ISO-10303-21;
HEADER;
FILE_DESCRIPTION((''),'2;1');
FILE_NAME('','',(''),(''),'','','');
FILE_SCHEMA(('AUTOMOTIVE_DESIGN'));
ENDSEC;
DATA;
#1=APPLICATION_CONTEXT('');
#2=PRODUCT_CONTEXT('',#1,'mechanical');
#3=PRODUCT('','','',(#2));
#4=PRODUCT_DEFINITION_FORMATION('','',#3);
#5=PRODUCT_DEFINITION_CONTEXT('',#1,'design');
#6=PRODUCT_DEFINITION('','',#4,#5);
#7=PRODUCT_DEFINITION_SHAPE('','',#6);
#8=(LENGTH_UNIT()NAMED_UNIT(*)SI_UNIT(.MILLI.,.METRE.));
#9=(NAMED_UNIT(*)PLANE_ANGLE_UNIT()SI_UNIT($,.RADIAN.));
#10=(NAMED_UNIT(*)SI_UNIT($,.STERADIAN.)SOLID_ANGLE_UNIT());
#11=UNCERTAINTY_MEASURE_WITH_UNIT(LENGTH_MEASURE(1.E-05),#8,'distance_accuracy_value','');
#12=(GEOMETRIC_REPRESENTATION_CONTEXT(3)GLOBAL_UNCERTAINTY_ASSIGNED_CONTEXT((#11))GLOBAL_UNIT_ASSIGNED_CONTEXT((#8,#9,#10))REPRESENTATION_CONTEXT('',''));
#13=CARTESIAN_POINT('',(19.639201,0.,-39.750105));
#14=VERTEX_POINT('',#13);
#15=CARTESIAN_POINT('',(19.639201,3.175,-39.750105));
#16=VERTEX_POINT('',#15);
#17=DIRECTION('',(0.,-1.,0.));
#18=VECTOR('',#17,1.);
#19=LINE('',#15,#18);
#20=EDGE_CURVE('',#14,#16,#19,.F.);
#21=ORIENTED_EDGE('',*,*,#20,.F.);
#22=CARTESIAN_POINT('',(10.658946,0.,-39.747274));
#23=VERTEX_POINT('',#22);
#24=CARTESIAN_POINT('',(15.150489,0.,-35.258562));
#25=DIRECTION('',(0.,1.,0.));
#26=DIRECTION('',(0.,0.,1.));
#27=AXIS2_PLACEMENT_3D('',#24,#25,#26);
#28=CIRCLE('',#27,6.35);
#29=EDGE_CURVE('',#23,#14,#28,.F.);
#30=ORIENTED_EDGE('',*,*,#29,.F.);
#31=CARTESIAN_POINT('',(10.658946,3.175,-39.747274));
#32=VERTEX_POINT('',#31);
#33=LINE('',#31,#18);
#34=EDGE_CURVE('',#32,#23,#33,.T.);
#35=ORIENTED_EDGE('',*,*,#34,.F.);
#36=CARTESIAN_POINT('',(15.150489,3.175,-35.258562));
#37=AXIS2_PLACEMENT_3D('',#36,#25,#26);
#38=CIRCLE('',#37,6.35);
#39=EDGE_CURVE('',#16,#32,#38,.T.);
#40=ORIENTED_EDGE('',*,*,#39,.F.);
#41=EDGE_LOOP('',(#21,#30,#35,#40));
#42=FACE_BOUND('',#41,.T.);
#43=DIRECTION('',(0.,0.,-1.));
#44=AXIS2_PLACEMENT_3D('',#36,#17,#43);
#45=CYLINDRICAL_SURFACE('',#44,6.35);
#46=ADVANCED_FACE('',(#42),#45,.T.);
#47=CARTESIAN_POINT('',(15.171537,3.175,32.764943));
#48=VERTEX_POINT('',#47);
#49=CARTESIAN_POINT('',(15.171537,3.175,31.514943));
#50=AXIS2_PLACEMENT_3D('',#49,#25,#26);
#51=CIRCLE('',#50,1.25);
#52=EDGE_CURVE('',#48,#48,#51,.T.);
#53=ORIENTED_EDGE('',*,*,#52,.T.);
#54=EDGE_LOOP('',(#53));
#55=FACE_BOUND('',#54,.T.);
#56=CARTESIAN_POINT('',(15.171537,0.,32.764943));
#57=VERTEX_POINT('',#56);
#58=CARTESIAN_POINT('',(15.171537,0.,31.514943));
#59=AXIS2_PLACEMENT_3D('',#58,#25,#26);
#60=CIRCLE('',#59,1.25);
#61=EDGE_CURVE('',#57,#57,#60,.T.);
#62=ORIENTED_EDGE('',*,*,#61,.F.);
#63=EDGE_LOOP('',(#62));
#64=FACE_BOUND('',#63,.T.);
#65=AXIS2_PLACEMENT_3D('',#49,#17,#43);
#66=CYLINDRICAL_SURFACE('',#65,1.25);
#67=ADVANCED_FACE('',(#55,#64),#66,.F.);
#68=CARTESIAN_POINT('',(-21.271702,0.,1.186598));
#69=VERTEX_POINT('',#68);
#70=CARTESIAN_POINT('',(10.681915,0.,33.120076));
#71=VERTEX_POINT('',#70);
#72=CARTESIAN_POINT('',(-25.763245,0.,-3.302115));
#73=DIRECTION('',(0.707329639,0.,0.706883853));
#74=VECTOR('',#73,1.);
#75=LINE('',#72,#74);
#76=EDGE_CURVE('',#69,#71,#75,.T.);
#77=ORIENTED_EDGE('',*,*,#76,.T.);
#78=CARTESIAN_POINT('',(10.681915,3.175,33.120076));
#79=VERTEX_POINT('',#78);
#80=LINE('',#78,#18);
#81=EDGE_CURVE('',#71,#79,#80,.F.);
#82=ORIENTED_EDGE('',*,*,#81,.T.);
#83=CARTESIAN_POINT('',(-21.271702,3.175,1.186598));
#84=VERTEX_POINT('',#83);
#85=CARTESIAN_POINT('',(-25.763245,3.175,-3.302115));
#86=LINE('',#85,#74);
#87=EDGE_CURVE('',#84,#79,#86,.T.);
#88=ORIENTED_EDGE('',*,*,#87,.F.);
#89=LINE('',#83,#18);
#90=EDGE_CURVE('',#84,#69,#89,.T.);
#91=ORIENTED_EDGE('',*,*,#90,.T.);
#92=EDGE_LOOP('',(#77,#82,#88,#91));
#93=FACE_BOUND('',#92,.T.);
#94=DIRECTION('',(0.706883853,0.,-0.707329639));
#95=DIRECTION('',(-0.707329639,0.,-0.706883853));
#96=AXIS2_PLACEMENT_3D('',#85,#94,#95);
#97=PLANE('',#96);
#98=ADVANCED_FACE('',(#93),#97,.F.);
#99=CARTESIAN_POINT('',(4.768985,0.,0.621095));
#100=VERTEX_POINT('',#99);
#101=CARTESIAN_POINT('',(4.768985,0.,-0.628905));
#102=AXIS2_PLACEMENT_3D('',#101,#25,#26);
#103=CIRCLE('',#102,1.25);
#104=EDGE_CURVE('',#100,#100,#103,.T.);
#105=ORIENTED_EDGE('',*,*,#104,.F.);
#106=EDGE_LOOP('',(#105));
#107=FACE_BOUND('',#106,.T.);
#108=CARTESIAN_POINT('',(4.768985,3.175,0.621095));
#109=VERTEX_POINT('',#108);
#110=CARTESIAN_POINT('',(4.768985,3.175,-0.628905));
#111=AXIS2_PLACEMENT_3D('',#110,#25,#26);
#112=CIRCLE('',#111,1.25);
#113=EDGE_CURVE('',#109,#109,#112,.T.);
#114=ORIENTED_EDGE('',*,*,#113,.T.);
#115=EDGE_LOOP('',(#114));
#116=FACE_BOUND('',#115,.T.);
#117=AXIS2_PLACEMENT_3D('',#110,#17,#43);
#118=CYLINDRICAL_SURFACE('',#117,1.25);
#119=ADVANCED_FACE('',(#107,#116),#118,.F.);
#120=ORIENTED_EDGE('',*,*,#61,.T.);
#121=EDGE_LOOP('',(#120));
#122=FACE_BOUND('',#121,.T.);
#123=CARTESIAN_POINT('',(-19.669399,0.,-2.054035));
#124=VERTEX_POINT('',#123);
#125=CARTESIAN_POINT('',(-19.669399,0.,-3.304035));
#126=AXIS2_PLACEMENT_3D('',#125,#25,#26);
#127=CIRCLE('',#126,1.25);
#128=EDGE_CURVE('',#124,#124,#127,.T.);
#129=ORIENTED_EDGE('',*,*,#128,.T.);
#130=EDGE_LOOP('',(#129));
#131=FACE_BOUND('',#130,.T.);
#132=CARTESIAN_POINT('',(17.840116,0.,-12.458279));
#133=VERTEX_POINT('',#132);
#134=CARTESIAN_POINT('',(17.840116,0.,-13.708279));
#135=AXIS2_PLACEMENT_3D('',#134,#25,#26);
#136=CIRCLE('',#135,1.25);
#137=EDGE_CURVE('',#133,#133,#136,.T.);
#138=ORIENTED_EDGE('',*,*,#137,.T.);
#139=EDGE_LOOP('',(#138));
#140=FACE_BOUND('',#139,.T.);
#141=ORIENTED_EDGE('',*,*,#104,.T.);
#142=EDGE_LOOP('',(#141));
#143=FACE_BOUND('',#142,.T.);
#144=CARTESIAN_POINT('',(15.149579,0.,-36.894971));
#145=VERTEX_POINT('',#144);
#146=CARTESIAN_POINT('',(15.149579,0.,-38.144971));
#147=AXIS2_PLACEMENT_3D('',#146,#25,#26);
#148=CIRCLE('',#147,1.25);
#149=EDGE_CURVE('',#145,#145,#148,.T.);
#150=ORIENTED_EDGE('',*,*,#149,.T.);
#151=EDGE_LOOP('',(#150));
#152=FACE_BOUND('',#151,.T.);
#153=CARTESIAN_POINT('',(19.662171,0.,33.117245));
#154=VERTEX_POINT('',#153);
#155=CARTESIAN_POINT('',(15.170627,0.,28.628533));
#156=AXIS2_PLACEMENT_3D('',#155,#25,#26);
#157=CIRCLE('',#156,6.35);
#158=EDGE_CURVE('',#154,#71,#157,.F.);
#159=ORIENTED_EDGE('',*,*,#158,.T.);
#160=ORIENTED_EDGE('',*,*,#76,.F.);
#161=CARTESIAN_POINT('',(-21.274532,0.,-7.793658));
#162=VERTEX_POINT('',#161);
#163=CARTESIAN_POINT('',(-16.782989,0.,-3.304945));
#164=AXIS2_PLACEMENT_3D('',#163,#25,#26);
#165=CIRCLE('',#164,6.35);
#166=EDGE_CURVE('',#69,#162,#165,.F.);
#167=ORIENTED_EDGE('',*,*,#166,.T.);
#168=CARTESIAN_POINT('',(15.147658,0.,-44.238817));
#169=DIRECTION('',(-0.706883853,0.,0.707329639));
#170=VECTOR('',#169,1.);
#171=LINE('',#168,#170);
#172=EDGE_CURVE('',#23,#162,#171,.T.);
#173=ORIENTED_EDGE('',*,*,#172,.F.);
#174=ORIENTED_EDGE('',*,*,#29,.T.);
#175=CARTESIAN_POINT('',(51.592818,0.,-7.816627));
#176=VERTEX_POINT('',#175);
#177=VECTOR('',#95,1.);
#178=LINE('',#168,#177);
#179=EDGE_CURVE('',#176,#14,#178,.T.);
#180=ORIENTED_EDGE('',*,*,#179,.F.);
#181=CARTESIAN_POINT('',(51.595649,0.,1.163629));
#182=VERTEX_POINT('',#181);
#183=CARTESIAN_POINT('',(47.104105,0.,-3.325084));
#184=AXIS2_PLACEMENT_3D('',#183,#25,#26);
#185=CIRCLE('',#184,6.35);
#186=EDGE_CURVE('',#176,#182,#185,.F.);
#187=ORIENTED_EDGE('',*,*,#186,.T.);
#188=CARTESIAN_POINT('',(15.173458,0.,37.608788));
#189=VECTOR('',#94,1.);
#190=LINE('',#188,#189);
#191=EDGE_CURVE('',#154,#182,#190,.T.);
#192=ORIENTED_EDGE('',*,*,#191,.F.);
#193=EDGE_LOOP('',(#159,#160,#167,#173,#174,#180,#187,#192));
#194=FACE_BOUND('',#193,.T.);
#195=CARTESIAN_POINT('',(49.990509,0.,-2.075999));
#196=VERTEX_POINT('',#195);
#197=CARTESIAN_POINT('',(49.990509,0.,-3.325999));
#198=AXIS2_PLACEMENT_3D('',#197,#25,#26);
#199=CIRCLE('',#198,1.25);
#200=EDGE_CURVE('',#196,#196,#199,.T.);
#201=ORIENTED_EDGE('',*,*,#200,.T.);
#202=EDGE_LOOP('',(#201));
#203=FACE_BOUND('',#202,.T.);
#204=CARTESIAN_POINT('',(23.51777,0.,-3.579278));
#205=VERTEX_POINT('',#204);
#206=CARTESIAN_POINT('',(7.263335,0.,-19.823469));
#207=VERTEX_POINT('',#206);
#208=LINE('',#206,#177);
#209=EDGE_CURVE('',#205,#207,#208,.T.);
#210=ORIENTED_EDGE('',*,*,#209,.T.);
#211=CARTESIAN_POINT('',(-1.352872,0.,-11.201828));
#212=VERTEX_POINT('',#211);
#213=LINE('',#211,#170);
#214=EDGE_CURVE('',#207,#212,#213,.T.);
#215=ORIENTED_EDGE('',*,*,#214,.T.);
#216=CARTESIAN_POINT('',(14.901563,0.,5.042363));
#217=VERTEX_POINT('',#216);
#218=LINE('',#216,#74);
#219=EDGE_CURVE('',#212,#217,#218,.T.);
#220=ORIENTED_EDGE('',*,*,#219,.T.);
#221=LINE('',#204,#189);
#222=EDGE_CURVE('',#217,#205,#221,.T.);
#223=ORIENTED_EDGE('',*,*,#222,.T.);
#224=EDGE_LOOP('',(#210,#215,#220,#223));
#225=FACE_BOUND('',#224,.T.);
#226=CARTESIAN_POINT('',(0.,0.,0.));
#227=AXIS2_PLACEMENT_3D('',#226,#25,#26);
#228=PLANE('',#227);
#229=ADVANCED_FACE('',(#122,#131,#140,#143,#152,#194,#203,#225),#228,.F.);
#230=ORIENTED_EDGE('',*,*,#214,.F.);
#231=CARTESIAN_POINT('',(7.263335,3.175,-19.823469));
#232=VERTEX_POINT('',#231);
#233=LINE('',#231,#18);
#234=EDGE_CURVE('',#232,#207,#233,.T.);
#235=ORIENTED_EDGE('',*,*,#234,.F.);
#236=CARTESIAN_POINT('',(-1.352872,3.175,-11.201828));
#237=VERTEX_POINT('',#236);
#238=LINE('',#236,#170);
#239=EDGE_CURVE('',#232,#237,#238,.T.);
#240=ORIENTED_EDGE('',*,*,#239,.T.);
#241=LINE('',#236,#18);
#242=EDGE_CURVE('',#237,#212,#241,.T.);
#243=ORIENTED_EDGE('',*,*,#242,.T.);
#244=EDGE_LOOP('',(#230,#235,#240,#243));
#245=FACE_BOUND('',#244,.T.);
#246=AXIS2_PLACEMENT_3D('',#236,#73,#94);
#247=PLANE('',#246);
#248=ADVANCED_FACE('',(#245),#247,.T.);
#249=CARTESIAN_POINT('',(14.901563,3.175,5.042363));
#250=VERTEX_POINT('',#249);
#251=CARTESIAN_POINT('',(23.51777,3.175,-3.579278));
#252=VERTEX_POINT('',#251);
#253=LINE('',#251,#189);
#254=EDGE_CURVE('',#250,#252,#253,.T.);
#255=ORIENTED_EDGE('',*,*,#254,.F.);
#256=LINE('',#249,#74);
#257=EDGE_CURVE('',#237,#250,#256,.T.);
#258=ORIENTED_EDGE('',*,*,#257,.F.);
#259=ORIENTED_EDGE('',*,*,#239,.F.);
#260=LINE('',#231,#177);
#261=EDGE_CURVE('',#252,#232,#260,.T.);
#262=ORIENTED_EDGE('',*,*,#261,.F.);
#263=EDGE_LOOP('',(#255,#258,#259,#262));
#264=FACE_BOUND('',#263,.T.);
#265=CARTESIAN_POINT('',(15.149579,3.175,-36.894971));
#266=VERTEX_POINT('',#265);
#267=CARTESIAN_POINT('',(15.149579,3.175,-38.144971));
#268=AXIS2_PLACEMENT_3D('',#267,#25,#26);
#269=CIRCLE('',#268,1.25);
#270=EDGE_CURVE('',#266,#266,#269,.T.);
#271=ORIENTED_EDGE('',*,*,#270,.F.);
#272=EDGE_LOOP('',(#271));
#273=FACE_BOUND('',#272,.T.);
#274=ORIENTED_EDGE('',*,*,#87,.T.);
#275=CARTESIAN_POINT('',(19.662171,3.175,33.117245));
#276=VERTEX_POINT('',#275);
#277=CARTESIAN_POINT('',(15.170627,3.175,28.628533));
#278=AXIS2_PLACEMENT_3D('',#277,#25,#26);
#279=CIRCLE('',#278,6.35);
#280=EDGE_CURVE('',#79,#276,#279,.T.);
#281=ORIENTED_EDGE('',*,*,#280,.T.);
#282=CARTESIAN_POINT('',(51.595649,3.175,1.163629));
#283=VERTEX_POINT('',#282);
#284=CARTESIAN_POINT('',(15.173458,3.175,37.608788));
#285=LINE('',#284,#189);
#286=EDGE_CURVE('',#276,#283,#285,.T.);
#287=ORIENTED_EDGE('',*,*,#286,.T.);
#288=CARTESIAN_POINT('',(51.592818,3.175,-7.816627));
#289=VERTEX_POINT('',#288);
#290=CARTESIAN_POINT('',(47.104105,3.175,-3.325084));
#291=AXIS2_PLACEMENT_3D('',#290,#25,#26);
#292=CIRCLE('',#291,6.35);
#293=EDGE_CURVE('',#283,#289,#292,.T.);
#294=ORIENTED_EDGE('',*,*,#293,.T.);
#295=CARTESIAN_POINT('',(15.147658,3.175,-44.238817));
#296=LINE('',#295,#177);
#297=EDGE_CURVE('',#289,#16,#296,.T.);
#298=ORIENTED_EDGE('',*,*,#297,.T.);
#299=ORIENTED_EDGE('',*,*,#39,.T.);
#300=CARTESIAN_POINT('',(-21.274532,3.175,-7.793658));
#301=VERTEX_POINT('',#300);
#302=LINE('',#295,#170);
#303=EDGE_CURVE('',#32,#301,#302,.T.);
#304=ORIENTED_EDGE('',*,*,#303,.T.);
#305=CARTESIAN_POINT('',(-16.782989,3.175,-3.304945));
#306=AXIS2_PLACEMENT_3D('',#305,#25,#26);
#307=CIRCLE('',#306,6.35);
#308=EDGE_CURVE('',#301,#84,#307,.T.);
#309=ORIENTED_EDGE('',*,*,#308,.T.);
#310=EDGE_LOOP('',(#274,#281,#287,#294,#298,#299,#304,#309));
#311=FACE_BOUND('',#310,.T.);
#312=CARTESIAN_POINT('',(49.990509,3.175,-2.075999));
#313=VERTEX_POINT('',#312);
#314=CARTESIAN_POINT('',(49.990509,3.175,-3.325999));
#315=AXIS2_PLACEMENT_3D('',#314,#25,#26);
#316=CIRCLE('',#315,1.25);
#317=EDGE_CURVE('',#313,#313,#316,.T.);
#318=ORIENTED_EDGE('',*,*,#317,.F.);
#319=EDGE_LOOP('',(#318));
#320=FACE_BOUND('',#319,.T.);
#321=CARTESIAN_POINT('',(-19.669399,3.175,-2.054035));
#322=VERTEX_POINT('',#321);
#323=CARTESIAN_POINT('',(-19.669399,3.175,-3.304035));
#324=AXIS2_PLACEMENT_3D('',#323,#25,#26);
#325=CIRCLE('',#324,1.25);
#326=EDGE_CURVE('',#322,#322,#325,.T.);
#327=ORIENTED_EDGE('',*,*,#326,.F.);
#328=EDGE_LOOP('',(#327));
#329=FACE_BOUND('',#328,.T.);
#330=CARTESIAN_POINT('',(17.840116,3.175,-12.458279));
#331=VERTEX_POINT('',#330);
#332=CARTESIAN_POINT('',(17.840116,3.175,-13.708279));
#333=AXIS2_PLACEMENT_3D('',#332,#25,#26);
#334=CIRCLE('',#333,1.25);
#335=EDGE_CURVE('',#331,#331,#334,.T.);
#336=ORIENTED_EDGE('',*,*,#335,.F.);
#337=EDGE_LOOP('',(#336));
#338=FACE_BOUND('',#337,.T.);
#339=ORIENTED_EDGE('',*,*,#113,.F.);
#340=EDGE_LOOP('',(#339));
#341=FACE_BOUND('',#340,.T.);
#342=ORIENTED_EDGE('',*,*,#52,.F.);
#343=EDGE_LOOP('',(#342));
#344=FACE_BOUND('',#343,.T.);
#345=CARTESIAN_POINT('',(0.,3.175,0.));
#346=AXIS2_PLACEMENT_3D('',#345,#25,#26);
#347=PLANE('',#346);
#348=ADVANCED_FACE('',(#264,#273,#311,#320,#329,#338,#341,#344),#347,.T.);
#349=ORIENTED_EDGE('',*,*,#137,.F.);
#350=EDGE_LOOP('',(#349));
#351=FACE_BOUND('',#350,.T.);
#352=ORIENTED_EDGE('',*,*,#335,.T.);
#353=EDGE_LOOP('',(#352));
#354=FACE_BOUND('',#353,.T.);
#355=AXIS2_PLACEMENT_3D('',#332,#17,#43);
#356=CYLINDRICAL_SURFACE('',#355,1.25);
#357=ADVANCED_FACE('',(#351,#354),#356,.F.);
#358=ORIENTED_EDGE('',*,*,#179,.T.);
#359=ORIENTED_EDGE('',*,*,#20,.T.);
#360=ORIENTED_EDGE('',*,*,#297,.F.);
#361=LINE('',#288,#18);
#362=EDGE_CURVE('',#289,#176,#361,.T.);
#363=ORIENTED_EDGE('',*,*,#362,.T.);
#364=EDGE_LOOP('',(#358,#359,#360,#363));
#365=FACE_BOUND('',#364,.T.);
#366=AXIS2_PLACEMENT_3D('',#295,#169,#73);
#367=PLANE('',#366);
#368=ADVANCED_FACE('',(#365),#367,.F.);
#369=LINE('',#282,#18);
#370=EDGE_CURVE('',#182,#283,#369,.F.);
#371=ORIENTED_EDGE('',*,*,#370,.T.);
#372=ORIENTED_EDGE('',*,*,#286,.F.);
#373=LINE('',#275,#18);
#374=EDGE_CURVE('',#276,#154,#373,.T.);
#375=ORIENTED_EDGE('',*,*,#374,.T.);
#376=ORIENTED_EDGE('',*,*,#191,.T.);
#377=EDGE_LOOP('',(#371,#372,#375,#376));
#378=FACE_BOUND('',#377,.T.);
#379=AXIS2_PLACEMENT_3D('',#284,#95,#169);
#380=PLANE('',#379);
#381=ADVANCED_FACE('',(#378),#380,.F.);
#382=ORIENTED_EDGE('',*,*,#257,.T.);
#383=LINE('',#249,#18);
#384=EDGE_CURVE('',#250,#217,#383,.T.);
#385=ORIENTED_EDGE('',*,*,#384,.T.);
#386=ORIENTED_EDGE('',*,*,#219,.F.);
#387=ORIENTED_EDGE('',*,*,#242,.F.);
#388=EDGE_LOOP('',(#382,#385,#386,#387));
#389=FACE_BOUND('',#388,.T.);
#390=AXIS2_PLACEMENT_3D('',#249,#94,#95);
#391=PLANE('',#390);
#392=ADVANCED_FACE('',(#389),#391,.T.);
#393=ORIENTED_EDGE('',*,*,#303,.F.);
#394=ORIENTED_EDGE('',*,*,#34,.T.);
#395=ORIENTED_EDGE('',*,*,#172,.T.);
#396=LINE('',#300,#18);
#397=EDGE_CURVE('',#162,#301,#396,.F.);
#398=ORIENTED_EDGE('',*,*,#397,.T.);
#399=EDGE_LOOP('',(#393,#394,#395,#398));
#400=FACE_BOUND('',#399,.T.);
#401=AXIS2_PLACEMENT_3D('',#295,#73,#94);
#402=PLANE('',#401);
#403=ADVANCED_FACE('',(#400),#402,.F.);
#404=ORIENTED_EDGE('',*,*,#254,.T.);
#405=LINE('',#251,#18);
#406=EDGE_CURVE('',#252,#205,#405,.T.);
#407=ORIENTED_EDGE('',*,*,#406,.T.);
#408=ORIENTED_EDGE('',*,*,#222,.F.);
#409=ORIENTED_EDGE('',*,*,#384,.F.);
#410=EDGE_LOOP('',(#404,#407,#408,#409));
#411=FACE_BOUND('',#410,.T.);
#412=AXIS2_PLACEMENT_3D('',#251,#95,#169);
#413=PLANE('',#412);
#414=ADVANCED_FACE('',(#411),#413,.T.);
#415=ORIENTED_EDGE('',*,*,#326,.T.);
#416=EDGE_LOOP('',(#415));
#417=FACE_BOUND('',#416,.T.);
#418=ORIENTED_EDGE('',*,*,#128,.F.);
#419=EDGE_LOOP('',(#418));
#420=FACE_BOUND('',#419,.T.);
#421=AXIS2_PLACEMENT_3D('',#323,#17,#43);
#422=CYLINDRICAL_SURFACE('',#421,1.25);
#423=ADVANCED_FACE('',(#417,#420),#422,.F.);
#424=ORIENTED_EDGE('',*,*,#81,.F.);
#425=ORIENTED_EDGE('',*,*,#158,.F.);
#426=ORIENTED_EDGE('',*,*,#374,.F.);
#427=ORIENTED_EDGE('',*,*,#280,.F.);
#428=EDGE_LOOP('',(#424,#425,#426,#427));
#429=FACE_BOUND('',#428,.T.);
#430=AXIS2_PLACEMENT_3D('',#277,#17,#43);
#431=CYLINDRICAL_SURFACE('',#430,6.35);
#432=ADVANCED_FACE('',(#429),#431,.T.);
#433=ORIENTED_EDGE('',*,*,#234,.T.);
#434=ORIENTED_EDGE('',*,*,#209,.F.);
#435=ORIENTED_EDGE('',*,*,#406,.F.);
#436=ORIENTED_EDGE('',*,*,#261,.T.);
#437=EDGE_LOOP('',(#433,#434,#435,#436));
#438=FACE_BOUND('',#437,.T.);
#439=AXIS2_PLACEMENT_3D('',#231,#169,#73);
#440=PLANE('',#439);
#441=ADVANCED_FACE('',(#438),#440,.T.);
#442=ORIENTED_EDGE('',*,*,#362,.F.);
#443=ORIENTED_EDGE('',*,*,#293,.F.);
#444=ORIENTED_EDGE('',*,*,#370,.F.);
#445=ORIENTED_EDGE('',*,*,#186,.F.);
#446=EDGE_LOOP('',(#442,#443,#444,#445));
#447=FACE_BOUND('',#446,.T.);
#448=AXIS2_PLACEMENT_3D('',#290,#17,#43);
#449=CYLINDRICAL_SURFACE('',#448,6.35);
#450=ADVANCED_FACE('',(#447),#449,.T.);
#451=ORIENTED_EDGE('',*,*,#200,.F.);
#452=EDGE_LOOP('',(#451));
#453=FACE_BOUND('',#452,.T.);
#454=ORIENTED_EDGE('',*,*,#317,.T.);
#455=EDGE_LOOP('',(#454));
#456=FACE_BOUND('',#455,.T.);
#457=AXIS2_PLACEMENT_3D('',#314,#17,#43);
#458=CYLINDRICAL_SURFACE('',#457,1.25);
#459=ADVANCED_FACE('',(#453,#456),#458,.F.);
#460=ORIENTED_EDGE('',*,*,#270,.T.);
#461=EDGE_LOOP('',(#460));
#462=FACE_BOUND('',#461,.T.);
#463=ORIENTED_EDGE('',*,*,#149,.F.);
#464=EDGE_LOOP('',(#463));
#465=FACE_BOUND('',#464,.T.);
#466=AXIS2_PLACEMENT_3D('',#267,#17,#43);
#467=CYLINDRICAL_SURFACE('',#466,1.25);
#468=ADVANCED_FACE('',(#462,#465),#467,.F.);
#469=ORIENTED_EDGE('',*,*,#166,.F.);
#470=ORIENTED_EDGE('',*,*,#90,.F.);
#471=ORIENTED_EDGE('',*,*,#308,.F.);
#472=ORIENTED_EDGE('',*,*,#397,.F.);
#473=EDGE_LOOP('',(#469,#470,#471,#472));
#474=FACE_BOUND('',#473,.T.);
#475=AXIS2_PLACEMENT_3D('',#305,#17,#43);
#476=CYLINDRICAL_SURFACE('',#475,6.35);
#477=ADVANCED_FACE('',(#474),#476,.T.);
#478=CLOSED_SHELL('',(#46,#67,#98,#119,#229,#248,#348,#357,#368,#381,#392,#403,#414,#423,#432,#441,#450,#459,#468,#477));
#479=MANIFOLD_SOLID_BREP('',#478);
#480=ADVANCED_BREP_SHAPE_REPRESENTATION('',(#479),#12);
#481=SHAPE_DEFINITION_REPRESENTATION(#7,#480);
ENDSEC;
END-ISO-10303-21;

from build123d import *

# Parameters (mm, degrees)
SKETCH1_R           = 1.25
BOSS_EXTRUDE1_DEPTH = 3.175
FILLET1_R           = 6.35


with BuildPart() as part:
    # Sketch1 → Boss-Extrude1 (new body)
    with BuildSketch(Plane(origin=(0, 0, 0), x_dir=(1, 0, 0), z_dir=(0, 1, 0))):
        Polygon((15.147658291, 44.238817403), (-25.76324473, 3.302114568), (15.173458104, -37.608788453), (56.084361126, 3.327914382), align=None)
        with Locations(Location((17.840116094, 13.708278644, 0), (0, 0, 270))):
            Circle(SKETCH1_R, mode=Mode.SUBTRACT)
        with Locations(Location((4.768985382, 0.628904831, 0), (0, 0, 270))):
            Circle(SKETCH1_R, mode=Mode.SUBTRACT)
        with Locations(Location((-19.669398793, 3.304035457, 0), (0, 0, 270))):
            Circle(SKETCH1_R, mode=Mode.SUBTRACT)
        with Locations(Location((15.149579179, 38.144971466, 0), (0, 0, 270))):
            Circle(SKETCH1_R, mode=Mode.SUBTRACT)
        with Locations(Location((49.990509247, 3.325999432, 0), (0, 0, 270))):
            Circle(SKETCH1_R, mode=Mode.SUBTRACT)
        with Locations(Location((15.171537216, -31.514942515, 0), (0, 0, 270))):
            Circle(SKETCH1_R, mode=Mode.SUBTRACT)
        Polygon((14.901563134, -5.042362692), (-1.352871962, 11.201828262), (7.263335329, 19.823469227), (23.517770424, 3.579278273), align=None, mode=Mode.SUBTRACT)
    extrude(amount=BOSS_EXTRUDE1_DEPTH)

    # Fillet1
    fillet1_edges = [part.edges().sort_by_distance(p)[0] for p in [
        (-25.76324473, 1.5875, -3.302114568),
        (15.147658291, 1.5875, -44.238817403),
        (56.084361126, 1.5875, -3.327914382),
        (15.173458104, 1.5875, 37.608788453),
    ]]
    fillet(fillet1_edges, radius=FILLET1_R)


solid = part.part
